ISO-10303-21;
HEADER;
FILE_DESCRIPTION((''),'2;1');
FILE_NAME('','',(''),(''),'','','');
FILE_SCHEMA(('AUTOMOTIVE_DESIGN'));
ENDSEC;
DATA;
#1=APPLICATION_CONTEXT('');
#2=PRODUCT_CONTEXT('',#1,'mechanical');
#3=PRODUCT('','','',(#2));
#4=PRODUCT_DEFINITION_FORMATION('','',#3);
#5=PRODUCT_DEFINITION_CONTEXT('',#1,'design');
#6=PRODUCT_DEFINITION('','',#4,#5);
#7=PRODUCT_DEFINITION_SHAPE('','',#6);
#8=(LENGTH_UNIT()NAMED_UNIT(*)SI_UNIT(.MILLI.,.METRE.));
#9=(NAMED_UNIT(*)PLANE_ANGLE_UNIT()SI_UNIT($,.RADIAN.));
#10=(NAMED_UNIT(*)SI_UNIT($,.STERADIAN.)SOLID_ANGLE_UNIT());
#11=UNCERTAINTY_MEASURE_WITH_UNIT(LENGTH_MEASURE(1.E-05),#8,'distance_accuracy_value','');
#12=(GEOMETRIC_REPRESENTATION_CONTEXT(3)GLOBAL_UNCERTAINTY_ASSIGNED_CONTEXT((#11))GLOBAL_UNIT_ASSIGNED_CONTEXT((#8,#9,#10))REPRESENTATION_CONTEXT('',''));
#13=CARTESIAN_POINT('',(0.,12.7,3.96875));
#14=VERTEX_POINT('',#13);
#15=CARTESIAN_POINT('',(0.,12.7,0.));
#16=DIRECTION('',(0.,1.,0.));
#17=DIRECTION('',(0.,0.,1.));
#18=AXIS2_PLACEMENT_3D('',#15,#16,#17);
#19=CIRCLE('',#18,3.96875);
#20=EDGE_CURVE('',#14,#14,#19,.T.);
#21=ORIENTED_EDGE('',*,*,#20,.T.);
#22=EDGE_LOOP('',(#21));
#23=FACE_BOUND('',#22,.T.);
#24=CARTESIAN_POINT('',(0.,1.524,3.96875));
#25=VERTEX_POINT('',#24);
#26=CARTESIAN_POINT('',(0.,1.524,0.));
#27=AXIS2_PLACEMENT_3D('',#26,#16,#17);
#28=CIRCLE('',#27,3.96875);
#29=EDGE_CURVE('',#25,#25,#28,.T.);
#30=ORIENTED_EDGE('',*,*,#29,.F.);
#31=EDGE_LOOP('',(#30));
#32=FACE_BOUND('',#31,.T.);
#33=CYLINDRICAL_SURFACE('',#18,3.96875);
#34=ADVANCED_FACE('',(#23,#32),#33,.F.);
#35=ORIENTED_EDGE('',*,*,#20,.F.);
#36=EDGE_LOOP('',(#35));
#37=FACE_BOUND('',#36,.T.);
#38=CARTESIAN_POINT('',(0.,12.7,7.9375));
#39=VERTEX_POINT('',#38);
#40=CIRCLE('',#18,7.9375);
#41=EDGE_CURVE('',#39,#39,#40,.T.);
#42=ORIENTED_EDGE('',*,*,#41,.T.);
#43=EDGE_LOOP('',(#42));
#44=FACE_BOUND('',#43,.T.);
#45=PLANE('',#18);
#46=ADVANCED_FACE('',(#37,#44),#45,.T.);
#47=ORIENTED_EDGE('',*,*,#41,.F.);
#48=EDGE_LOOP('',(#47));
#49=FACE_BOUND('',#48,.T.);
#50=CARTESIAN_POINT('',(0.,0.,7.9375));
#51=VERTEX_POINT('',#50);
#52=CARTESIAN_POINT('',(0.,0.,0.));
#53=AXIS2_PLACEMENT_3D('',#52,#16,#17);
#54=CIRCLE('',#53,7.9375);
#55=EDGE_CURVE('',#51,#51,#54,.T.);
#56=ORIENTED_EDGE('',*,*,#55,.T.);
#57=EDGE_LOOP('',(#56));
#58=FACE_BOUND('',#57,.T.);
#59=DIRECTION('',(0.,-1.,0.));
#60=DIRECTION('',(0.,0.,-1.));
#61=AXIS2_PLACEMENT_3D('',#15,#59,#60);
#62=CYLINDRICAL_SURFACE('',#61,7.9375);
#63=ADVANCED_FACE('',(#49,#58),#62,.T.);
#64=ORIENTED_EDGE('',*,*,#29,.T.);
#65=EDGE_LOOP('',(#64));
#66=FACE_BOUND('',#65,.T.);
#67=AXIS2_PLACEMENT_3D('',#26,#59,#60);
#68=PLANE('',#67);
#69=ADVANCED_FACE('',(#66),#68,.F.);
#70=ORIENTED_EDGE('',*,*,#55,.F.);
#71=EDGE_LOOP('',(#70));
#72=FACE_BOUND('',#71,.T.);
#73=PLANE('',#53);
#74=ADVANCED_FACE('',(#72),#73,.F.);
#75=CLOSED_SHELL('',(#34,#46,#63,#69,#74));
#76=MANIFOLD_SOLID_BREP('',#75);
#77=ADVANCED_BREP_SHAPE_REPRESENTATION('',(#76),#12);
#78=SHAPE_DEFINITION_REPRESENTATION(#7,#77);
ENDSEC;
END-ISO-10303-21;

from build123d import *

# Parameters (mm, degrees)
SKETCH1_R                   = 7.9375
BOSS_EXTRUDE1_DEPTH         = 12.7
F_3_8_16_TAPPED_HOLE1_D     = 7.9375
F_3_8_16_TAPPED_HOLE1_DEPTH = 11.176


with BuildPart() as part:
    # Sketch1 → Boss-Extrude1 (new body)
    with BuildSketch(Plane(origin=(0, 0, 0), x_dir=(1, 0, 0), z_dir=(0, 1, 0))):
        Circle(SKETCH1_R)
    extrude(amount=BOSS_EXTRUDE1_DEPTH)

    # 3/8-16 Tapped Hole1
    with Locations(Plane(origin=(0, 12.7, 0), x_dir=(-1, 0, 0), z_dir=(0, 1, 0))):
        with Locations((0, 0)):
            Hole(F_3_8_16_TAPPED_HOLE1_D / 2, depth=F_3_8_16_TAPPED_HOLE1_DEPTH)


solid = part.part
